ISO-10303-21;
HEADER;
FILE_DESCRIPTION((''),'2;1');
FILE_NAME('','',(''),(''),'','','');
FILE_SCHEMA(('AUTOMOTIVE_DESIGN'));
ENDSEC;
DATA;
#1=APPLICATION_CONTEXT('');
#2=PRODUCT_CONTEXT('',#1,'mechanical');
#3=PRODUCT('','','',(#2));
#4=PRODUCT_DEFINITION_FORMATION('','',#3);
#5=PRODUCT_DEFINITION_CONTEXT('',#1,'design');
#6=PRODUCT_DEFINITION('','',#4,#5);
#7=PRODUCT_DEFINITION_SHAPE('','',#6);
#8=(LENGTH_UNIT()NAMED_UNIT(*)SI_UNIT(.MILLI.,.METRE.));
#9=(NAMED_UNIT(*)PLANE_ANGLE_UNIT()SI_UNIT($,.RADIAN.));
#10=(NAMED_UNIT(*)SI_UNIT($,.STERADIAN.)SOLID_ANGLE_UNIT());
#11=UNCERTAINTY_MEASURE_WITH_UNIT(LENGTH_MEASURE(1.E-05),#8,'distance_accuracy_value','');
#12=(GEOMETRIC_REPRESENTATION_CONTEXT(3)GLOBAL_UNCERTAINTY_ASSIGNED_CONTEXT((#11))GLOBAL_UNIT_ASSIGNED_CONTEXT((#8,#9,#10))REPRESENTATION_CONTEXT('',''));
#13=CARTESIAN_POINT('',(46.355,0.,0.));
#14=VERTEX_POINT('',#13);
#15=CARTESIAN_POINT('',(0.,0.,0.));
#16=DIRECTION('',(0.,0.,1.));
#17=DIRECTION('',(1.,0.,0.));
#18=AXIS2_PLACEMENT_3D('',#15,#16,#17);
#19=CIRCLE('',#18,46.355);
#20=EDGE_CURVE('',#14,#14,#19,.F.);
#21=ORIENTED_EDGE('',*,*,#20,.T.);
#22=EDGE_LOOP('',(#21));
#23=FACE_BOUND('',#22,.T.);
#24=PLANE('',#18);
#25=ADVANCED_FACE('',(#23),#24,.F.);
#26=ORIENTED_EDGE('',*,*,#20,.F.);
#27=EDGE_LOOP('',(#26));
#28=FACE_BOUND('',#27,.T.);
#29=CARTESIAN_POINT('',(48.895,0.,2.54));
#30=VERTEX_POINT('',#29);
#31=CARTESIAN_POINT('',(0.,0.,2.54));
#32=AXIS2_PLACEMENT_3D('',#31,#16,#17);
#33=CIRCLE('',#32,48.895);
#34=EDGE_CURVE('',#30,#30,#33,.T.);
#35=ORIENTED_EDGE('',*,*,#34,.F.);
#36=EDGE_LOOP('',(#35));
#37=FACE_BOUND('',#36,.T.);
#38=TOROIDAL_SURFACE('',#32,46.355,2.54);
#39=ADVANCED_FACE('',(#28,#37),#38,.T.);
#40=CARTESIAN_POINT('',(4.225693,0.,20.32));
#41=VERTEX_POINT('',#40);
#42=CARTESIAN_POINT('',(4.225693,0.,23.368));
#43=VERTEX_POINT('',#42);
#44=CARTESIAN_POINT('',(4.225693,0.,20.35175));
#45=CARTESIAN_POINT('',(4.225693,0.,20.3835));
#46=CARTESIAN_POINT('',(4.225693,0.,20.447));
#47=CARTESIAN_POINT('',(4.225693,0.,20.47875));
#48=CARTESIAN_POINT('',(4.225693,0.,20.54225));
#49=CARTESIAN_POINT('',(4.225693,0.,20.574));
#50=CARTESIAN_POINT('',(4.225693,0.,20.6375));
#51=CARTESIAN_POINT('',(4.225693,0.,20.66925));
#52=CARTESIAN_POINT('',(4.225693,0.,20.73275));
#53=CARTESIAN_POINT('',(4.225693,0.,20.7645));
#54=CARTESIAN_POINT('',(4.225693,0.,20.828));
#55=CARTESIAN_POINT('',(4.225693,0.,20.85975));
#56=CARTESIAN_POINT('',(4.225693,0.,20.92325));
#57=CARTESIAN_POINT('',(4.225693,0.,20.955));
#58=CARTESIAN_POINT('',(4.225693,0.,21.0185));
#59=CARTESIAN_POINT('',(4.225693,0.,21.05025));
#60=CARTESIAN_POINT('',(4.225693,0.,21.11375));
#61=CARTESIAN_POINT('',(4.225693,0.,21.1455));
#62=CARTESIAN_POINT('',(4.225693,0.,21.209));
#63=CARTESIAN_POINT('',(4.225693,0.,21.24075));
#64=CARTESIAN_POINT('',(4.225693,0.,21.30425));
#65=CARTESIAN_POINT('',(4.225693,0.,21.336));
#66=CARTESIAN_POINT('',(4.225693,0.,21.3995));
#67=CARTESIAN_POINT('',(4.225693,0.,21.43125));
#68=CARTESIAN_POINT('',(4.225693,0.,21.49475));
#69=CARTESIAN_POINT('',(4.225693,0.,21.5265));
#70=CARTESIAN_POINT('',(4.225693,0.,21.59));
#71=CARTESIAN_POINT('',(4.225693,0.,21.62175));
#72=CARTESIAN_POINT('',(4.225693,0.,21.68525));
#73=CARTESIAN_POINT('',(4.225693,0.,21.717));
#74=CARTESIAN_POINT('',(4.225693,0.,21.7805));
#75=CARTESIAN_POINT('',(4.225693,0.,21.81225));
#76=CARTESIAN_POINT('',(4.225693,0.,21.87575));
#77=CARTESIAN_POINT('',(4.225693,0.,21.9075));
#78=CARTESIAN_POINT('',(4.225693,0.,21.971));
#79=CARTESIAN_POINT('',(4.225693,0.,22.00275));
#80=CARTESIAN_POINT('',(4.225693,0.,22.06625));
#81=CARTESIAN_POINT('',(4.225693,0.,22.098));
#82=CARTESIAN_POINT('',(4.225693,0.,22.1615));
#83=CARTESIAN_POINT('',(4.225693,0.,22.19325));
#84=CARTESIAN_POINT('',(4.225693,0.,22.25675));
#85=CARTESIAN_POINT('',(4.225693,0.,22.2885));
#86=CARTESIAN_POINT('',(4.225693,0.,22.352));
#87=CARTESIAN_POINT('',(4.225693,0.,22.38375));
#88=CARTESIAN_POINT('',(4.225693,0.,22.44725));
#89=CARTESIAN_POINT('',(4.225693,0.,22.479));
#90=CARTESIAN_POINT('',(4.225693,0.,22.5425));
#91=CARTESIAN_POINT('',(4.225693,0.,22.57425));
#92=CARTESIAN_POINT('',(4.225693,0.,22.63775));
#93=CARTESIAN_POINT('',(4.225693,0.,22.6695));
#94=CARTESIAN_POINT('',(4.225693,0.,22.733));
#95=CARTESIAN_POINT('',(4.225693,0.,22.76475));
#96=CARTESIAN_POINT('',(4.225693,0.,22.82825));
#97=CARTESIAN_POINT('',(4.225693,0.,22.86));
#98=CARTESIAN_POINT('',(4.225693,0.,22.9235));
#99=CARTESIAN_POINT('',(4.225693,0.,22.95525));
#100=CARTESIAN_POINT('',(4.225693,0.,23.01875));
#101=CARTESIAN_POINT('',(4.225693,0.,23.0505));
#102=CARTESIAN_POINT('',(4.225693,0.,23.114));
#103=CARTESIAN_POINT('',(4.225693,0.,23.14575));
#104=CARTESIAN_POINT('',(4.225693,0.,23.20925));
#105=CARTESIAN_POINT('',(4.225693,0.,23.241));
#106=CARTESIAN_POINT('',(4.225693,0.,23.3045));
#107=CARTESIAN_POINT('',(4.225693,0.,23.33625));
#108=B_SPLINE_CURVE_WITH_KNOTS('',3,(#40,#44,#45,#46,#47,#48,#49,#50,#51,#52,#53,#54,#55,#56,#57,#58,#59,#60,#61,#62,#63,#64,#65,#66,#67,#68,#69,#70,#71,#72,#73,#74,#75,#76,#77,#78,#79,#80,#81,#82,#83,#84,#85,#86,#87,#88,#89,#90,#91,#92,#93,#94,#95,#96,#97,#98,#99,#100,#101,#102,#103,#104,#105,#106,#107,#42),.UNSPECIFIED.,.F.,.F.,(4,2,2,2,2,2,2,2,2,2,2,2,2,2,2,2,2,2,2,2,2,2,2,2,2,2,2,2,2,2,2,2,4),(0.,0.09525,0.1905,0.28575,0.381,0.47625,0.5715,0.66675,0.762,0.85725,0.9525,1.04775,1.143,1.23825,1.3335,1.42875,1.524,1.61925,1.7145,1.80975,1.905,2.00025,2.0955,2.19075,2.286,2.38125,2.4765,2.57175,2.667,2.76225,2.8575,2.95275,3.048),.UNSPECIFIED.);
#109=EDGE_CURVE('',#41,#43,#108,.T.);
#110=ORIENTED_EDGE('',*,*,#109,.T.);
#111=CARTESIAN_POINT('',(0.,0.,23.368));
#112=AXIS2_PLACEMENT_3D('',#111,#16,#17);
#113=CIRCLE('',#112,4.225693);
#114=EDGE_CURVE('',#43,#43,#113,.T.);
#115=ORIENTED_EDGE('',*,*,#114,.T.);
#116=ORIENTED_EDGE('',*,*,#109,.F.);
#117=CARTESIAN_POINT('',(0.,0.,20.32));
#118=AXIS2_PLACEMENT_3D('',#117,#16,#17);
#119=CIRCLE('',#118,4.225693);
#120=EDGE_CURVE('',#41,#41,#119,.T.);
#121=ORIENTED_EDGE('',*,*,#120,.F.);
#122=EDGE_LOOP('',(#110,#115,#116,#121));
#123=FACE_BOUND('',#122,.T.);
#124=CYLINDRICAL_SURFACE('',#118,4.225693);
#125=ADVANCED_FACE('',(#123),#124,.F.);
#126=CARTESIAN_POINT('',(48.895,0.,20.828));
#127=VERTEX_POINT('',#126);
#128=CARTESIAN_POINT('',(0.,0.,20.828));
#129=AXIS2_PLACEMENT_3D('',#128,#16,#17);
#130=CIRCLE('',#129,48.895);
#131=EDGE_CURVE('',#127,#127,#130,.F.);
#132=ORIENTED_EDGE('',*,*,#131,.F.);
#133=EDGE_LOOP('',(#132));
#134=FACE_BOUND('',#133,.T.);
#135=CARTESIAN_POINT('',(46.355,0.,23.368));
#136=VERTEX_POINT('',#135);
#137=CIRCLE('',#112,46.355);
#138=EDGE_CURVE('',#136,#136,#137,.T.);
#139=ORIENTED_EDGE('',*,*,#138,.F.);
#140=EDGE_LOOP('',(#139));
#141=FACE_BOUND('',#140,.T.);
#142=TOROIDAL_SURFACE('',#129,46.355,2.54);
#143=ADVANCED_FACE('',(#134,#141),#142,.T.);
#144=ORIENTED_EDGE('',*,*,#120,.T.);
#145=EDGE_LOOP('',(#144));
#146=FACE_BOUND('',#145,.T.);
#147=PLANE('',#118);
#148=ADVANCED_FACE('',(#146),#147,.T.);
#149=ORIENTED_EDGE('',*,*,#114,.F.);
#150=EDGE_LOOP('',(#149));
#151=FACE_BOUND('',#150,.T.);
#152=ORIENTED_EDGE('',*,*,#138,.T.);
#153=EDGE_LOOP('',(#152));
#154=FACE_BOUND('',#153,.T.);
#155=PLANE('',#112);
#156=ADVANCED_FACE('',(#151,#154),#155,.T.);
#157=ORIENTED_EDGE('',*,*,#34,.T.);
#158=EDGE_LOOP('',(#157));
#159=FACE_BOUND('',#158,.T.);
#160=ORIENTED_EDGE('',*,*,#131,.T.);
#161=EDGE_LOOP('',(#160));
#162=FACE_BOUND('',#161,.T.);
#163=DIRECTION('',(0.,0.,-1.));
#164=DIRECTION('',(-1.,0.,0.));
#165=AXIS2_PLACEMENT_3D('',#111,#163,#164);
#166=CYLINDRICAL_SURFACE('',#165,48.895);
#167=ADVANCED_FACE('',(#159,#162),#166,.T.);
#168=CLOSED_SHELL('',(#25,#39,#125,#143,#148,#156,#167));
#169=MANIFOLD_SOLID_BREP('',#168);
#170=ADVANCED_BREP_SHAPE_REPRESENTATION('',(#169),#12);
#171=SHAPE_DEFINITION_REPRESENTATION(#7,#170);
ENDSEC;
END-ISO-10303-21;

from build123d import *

# Parameters (mm, degrees)
SKETCH1_R           = 48.895
BOSS_EXTRUDE1_DEPTH = 23.368
FILLET1_R           = 2.54
FILLET2_R           = 2.54
SKETCH2_R           = 4.225692655
CUT_EXTRUDE1_DEPTH  = 3.048


with BuildPart() as part:
    # Sketch1 → Boss-Extrude1 (new body)
    with BuildSketch(Plane.XY):
        Circle(SKETCH1_R)
    extrude(amount=BOSS_EXTRUDE1_DEPTH)

    # Fillet1
    fillet1_edges = [part.edges().sort_by_distance(p)[0] for p in [
        (-48.895, 0, 23.368),
    ]]
    fillet(fillet1_edges, radius=FILLET1_R)

    # Fillet2
    fillet2_edges = [part.edges().sort_by_distance(p)[0] for p in [
        (-48.895, 0, 0),
    ]]
    fillet(fillet2_edges, radius=FILLET2_R)

    # Sketch2 → Cut-Extrude1 (cut)
    with BuildSketch(Plane.XY.offset(23.368)):
        Circle(SKETCH2_R)
    extrude(amount=-CUT_EXTRUDE1_DEPTH, mode=Mode.SUBTRACT)


solid = part.part
